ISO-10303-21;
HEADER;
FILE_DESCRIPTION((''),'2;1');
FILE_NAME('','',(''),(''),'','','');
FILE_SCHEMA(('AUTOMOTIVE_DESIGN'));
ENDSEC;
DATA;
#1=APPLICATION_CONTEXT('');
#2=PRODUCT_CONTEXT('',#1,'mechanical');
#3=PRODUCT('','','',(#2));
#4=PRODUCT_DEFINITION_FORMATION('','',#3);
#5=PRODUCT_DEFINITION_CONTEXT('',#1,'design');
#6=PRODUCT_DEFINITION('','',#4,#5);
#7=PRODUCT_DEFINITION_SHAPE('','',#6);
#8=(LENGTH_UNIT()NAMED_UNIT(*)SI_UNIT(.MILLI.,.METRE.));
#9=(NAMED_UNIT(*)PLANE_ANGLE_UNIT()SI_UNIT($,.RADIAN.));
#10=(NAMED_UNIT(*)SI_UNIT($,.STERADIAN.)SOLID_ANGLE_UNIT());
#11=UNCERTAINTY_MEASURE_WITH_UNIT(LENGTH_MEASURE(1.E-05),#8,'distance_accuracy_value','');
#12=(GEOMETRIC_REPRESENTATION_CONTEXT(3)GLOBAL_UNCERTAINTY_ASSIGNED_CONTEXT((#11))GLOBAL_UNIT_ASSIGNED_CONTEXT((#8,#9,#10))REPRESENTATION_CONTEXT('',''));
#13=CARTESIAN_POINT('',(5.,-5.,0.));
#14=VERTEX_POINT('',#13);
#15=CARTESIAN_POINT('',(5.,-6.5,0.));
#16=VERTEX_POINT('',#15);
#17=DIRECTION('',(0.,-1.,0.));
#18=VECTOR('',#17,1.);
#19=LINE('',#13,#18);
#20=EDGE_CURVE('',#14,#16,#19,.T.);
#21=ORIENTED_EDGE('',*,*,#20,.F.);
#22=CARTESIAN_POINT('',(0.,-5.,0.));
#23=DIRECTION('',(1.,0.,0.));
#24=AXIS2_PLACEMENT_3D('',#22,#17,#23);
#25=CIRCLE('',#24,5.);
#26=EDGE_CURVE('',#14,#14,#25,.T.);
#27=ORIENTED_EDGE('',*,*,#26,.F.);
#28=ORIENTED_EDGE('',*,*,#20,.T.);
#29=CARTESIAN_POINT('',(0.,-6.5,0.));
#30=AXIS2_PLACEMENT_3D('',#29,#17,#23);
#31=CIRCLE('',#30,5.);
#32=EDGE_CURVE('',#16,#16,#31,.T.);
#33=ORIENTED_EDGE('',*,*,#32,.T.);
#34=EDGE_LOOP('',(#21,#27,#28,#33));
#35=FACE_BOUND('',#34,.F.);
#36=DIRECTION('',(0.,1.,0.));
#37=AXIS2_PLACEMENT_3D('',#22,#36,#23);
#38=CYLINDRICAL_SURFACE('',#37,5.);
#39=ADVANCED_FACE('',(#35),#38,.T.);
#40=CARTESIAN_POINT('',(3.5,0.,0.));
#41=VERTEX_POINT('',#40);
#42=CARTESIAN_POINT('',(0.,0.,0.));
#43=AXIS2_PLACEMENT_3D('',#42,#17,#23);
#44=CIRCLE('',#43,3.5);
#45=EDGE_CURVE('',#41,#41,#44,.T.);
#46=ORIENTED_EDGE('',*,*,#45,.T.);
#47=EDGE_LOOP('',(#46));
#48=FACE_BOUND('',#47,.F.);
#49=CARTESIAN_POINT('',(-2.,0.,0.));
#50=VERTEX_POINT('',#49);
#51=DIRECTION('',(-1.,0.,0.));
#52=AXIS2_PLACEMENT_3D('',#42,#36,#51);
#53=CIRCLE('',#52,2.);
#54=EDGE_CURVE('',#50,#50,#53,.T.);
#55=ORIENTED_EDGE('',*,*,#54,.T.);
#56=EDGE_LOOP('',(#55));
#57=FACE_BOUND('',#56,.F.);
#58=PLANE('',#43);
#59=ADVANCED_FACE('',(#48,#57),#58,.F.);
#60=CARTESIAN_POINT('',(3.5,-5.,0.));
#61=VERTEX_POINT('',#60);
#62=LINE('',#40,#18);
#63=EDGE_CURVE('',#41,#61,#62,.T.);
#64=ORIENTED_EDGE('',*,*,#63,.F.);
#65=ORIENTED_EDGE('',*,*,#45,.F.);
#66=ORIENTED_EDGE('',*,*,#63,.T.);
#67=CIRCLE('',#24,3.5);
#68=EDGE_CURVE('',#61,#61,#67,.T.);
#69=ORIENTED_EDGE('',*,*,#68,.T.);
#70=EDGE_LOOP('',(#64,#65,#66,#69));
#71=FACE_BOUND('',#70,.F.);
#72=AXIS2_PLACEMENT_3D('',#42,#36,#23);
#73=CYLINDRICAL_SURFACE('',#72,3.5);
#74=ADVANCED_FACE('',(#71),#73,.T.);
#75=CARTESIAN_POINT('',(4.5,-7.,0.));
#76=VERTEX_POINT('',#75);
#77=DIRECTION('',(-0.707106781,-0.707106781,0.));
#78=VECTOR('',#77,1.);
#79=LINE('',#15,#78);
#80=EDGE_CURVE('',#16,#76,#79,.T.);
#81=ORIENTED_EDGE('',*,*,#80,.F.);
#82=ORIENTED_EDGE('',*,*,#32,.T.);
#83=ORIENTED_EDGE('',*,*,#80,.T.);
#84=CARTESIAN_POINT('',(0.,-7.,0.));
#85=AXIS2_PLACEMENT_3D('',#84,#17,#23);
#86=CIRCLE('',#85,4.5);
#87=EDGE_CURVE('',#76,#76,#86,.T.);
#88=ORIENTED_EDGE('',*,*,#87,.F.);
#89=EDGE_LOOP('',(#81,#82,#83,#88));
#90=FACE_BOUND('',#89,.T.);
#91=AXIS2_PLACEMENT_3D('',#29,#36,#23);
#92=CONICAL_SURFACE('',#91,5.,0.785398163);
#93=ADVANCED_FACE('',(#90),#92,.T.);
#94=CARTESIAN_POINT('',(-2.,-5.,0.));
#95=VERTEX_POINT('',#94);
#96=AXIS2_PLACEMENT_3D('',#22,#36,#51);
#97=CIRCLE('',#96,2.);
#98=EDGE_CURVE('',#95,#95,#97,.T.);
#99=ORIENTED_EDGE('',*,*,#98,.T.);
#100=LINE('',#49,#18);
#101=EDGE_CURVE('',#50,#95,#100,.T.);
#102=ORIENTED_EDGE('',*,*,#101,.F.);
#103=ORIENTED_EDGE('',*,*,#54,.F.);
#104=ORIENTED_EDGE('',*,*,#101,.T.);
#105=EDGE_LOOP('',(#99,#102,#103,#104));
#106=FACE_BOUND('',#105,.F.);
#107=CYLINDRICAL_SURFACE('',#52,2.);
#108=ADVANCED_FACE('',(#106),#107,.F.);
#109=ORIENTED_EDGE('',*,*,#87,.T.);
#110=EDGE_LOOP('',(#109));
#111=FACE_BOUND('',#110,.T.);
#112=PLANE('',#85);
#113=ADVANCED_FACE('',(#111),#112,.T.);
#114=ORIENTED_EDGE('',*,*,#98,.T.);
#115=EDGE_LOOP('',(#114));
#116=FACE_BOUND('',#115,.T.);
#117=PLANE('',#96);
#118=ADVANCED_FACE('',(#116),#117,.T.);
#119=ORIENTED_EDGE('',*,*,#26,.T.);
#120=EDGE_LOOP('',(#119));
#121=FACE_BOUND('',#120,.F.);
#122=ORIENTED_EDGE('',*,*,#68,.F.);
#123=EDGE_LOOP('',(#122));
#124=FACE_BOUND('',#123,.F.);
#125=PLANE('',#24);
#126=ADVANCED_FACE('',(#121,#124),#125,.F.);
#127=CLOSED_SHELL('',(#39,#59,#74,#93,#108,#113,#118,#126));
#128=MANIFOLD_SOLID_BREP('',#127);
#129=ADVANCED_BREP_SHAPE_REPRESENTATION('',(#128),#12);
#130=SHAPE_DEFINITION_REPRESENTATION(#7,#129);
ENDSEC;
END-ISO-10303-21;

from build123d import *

# Parameters (mm, degrees)
F0_R     = 3.5
F1_DEPTH = 5
F2_R     = 5
F2_R_2   = 3.5
F3_DEPTH = 2
F4_R     = 2
F5_DEPTH = 5
F6_SIZE  = 0.5


with BuildPart() as f1:
    # F0 (on Front) → F1 (new body)
    with BuildSketch(Plane.XZ):
        Circle(F0_R)
    extrude(amount=F1_DEPTH)

    # F2 (on face) → F3 (join)
    with BuildSketch(Plane.XZ.offset(5)):
        Circle(F2_R)
        Circle(F2_R_2, mode=Mode.SUBTRACT)
        Circle(F2_R_2)
    extrude(amount=F3_DEPTH)

    # F4 (on face) → F5 (cut, through all)
    with BuildSketch(Plane(origin=(0, 0, 0), x_dir=(-1, 0, 0), z_dir=(0, 1, 0))):
        Circle(F4_R)
    extrude(amount=-F5_DEPTH, mode=Mode.SUBTRACT)

    # F6
    f6_edges = [f1.edges().sort_by_distance(p)[0] for p in [
        (-5, -7, 0),
    ]]
    chamfer(f6_edges, length=F6_SIZE)


solid = f1.part
